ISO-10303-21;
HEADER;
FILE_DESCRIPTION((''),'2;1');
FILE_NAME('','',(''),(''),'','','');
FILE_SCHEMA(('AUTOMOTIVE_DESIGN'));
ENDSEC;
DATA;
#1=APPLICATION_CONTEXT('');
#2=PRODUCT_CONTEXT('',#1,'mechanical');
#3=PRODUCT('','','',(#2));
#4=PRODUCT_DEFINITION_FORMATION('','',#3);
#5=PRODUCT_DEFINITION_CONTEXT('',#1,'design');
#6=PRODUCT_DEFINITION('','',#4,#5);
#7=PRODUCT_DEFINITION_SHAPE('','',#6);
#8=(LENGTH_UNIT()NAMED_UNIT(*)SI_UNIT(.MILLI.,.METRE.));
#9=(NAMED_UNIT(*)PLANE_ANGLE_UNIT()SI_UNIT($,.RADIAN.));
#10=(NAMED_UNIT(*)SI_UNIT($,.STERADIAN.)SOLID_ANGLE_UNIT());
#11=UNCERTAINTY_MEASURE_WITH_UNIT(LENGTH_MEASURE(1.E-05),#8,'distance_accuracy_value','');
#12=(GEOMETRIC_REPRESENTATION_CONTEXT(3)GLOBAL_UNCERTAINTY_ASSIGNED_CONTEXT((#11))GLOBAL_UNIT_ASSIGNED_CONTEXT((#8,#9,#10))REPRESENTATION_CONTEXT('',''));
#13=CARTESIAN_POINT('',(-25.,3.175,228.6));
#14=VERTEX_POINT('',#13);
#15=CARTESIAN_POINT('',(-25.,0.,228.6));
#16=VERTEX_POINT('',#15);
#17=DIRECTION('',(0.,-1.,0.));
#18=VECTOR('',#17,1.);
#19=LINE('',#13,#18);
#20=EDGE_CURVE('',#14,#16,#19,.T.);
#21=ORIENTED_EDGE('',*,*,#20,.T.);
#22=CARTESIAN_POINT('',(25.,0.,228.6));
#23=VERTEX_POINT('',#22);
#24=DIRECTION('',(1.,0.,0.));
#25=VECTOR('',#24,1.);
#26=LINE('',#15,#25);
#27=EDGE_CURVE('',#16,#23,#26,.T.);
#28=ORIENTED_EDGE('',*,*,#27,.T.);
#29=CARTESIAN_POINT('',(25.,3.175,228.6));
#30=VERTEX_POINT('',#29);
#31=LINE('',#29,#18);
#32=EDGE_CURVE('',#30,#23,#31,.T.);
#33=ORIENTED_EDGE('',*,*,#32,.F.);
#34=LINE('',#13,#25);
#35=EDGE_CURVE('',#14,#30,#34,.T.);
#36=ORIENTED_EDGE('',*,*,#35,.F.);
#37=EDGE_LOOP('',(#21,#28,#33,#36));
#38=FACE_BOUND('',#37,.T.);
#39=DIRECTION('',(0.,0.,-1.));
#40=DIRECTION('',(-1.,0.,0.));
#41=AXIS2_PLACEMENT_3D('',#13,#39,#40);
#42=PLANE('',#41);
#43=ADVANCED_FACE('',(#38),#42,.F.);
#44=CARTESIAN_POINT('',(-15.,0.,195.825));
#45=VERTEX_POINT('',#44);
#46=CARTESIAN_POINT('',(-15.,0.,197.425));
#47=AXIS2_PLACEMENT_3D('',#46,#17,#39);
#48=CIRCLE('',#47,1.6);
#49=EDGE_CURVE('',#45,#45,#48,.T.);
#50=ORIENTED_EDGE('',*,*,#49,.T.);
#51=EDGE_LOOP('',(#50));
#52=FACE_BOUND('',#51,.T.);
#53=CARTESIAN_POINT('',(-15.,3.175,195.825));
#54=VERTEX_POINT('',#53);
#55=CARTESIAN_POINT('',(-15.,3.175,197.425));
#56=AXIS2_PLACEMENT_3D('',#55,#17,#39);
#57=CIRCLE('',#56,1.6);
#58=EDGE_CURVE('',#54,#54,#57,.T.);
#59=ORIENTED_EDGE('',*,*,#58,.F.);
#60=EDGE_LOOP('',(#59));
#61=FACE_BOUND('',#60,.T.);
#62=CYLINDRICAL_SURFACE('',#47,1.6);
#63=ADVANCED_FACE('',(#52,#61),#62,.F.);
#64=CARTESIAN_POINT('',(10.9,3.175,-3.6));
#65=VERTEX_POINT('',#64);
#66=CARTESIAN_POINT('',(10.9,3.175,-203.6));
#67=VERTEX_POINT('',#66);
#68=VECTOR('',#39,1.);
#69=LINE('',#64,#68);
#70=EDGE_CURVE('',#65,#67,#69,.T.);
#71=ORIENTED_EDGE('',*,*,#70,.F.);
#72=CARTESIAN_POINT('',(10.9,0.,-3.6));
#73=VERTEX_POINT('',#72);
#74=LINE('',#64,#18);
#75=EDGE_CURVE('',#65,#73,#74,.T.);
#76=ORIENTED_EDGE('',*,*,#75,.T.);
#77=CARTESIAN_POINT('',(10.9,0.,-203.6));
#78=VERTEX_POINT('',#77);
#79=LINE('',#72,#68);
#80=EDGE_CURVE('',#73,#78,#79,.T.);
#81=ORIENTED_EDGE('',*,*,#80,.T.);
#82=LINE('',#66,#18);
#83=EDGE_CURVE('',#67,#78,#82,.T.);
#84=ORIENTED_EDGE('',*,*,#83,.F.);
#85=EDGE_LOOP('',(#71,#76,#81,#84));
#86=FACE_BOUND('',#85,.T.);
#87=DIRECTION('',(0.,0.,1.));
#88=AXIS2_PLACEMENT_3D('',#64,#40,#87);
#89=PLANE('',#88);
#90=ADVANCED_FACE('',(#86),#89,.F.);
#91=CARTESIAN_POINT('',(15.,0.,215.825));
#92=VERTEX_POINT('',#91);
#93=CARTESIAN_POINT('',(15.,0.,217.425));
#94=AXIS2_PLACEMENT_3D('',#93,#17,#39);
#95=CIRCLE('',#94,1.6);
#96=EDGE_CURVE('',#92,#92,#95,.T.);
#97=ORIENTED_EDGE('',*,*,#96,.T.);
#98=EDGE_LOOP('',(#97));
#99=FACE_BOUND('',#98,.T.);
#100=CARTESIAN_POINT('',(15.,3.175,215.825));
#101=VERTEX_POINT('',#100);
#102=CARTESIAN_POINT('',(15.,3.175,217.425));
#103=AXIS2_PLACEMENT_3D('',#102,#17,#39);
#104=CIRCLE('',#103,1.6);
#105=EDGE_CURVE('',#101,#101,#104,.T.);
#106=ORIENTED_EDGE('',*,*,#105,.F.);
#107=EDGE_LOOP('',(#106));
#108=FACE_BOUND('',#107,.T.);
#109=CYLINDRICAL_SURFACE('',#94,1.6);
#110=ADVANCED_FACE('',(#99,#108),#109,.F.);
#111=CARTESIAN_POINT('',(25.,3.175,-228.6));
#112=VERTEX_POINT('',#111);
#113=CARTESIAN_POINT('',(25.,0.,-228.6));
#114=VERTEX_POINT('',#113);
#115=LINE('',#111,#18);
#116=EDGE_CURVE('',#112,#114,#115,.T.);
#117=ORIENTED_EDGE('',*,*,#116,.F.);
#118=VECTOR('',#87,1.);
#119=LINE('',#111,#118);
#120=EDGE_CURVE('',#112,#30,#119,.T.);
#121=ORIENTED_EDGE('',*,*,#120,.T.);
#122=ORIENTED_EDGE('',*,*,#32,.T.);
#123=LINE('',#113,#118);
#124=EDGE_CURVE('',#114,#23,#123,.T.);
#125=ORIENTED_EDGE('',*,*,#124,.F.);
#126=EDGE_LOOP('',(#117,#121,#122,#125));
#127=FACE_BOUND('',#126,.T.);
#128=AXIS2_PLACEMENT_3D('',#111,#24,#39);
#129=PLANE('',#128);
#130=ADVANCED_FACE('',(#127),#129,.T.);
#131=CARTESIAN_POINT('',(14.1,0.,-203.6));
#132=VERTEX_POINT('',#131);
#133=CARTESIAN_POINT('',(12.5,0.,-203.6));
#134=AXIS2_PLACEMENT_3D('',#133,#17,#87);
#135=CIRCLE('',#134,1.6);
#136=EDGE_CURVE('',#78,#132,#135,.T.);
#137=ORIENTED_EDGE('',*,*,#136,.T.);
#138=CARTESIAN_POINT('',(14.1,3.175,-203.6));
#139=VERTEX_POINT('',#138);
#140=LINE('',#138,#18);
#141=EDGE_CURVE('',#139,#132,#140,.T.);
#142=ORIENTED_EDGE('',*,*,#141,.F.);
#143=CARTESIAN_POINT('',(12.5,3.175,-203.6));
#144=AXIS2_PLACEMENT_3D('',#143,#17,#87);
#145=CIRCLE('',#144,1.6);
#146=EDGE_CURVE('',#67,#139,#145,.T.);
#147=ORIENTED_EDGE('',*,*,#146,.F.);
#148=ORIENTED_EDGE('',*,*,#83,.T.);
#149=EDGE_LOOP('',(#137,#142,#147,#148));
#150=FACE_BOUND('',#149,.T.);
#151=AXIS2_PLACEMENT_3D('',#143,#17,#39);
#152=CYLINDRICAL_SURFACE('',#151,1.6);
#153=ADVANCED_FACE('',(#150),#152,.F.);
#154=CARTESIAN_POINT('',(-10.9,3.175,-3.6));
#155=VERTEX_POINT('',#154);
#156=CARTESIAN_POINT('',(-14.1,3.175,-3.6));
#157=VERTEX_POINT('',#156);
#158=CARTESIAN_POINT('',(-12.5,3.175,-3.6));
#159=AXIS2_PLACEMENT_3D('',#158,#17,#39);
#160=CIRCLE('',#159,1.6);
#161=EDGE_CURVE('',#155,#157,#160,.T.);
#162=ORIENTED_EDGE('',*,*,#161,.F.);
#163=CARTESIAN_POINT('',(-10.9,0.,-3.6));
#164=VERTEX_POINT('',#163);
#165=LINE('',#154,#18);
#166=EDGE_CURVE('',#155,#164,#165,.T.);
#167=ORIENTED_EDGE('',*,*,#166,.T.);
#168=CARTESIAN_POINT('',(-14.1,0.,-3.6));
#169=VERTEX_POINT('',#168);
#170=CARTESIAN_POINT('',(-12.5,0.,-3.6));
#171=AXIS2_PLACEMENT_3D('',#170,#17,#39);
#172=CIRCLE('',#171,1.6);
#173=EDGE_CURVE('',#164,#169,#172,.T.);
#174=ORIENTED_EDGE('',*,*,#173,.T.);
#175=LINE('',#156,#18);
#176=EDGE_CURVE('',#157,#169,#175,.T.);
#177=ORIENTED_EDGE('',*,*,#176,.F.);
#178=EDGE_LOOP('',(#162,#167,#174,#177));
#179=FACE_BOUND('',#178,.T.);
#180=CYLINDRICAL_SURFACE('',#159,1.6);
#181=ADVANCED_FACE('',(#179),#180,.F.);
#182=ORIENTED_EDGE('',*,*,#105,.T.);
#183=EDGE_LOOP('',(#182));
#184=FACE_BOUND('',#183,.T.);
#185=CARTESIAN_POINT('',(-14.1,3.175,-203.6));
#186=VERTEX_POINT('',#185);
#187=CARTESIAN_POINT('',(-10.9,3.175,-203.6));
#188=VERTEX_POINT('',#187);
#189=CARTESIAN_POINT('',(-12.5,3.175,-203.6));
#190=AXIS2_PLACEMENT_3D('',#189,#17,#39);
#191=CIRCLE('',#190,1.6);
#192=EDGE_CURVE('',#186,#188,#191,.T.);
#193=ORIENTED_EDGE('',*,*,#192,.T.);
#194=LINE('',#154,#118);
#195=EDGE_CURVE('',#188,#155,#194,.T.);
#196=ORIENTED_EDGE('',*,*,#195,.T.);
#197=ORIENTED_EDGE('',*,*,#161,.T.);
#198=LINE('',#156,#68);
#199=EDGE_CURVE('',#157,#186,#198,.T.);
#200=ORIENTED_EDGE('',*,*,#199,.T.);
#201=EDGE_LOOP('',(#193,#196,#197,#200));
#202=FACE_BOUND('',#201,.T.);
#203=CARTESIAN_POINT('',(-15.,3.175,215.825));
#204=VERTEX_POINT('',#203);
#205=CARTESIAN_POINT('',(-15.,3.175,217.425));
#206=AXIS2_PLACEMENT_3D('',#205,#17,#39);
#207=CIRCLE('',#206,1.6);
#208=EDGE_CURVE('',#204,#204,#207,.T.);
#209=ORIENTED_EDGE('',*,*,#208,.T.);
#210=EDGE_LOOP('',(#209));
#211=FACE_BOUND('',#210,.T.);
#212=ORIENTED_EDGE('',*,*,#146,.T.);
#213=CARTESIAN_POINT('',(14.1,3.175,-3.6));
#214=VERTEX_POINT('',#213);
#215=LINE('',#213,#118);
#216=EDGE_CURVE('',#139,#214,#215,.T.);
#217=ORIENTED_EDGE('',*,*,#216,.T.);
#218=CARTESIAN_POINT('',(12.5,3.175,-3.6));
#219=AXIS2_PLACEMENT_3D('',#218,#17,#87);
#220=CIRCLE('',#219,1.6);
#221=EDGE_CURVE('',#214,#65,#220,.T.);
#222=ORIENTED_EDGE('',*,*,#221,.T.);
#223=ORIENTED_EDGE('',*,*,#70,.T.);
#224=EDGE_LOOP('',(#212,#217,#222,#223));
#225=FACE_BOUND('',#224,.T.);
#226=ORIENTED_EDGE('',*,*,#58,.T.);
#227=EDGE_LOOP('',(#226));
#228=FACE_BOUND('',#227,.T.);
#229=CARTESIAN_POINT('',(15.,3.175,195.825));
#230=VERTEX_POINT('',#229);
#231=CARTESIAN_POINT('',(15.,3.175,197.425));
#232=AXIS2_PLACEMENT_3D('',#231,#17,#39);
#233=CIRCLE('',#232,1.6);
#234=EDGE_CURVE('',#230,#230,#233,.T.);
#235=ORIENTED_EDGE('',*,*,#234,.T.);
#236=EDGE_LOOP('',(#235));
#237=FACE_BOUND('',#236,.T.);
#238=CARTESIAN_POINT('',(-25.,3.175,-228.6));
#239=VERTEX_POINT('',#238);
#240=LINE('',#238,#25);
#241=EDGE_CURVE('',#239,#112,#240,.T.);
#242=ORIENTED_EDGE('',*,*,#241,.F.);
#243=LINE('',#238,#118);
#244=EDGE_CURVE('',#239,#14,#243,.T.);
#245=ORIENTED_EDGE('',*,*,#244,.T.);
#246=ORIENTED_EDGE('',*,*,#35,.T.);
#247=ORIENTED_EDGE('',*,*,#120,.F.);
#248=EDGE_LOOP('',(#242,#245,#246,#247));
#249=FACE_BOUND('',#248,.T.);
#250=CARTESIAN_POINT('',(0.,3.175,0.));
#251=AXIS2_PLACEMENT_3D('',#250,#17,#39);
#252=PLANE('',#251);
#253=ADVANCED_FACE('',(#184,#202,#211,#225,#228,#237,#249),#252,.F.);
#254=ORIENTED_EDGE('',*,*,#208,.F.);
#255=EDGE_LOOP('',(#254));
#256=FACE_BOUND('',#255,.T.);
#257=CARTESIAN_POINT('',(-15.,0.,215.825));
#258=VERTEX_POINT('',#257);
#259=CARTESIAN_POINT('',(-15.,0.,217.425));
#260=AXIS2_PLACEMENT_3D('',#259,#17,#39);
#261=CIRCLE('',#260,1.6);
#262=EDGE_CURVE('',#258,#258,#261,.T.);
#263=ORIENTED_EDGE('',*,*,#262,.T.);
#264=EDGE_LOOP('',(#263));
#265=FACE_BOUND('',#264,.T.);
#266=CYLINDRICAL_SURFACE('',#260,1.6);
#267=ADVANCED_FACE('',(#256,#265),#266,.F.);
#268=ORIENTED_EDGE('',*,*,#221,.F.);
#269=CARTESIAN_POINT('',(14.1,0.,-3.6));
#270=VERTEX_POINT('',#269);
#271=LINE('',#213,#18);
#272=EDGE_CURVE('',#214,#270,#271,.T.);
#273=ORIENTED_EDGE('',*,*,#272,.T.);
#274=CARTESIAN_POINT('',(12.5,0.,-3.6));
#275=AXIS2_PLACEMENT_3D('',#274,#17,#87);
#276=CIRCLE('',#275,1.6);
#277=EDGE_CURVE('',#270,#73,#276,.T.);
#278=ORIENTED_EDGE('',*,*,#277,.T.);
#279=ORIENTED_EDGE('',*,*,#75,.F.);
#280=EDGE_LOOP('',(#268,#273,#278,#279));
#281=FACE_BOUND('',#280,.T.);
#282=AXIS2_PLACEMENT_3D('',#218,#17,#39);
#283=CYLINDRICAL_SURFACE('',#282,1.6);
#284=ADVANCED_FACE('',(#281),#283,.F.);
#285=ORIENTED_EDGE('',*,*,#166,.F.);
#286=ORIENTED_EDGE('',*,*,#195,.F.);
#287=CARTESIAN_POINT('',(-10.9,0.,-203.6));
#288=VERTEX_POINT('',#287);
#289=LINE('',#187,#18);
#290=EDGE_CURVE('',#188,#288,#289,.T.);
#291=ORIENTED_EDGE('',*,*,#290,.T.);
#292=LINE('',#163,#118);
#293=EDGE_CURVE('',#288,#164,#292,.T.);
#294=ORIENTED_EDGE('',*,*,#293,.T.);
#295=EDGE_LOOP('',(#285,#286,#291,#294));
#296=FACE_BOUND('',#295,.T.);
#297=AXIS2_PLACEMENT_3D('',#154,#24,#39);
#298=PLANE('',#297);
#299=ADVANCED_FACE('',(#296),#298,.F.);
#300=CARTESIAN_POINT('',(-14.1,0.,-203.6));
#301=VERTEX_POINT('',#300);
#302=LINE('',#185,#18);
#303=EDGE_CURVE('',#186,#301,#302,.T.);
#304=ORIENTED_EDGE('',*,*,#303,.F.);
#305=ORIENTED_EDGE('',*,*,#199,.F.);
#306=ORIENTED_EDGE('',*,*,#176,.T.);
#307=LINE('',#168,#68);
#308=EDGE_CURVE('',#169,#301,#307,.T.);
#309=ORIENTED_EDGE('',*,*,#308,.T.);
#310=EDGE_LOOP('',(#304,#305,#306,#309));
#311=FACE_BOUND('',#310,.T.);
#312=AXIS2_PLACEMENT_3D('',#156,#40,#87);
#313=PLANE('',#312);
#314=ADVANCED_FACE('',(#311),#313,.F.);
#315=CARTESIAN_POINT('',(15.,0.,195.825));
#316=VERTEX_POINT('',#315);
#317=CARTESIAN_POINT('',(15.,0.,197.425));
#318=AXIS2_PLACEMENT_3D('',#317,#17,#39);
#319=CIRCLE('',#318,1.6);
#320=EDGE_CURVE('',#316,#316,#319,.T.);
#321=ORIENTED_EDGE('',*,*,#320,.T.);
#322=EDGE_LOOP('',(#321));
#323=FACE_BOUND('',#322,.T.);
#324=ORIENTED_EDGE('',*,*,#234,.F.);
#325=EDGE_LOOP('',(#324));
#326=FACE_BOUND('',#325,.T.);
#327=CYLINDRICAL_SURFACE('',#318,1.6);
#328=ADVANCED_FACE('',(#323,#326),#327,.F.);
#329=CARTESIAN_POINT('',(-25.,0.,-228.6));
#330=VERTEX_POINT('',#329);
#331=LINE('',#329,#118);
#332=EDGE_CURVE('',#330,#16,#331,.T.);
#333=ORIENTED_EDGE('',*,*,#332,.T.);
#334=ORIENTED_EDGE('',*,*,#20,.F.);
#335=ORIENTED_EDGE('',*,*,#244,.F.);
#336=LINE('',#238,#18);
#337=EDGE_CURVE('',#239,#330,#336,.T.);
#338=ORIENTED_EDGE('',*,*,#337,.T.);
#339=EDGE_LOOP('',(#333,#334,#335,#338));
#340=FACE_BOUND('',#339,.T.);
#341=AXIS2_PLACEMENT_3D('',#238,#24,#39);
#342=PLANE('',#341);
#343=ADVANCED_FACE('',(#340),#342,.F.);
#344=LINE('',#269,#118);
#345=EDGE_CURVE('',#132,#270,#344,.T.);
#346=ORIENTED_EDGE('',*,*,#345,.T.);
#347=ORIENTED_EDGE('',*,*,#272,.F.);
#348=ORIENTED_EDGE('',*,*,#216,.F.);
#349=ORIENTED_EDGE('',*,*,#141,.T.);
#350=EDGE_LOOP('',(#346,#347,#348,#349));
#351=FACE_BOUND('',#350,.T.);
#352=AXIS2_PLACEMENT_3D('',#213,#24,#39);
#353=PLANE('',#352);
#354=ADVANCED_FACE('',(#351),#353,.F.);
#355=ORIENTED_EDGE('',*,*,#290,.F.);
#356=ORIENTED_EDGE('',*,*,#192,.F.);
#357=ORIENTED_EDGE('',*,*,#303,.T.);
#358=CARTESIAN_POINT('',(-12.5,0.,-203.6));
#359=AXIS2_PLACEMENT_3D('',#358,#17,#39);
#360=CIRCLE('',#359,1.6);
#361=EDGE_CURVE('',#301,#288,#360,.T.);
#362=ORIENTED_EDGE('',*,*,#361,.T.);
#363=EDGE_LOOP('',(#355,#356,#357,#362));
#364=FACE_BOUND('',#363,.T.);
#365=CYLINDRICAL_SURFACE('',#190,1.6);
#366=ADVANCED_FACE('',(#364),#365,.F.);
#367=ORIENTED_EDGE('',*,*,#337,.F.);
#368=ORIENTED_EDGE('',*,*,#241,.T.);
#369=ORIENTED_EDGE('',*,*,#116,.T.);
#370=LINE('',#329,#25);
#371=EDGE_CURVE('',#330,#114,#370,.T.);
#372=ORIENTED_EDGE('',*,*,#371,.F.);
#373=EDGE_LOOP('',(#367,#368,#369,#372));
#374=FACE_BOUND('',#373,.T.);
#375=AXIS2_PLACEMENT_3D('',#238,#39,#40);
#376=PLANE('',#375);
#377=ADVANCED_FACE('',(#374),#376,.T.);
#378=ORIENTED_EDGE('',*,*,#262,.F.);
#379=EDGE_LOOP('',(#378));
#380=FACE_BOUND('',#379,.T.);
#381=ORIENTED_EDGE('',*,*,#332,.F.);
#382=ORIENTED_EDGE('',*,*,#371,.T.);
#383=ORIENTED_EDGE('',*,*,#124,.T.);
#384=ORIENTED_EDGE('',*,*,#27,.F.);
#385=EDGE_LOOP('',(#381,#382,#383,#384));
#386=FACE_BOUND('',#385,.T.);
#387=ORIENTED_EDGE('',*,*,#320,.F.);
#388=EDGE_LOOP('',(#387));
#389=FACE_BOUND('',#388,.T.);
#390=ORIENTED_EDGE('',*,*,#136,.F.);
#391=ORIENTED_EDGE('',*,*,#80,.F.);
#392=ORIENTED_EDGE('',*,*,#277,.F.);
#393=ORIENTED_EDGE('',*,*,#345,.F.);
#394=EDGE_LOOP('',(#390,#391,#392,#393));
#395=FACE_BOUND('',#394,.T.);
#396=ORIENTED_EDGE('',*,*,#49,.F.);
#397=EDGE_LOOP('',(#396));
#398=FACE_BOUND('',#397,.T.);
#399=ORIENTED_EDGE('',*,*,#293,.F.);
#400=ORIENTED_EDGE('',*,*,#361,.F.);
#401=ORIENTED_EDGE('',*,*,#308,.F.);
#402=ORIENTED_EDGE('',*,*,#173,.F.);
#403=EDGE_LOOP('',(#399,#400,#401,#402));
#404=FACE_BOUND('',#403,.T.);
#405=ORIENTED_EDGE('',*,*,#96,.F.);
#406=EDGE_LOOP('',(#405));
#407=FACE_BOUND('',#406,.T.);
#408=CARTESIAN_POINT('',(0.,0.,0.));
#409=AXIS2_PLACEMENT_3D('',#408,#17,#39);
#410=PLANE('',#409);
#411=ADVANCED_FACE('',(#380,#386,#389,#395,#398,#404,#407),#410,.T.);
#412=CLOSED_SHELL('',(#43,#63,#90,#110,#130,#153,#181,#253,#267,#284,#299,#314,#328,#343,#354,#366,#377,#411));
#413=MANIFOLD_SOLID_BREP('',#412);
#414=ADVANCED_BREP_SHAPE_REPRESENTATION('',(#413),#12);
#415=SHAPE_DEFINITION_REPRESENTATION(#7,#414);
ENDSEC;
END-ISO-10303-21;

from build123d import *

# Parameters (mm, degrees)
SKETCH1_W            = 50
SKETCH1_H            = 457.2
BOSS_EXTRUDE1_DEPTH  = 3.175
CUT_EXTRUDE1_DEPTH   = 230.984870426
M3_CLEARANCE_HOLE1_D = 3.2


with BuildPart() as part:
    # Sketch1 → Boss-Extrude1 (new body)
    with BuildSketch(Plane(origin=(0, 0, 0), x_dir=(1, 0, 0), z_dir=(0, 1, 0))):
        Rectangle(SKETCH1_W, SKETCH1_H)
    extrude(amount=BOSS_EXTRUDE1_DEPTH)

    # Sketch2 → Cut-Extrude1 (cut, through all)
    with BuildSketch(Plane.XZ):
        with BuildLine():
            Line((-10.9, -3.6), (-10.9, -203.6))
            ThreePointArc((-10.9, -203.6), (-12.5, -205.2), (-14.1, -203.6))
            Line((-14.1, -203.6), (-14.1, -3.6))
            ThreePointArc((-14.1, -3.6), (-12.5, -2), (-10.9, -3.6))
        make_face()
        with BuildLine():
            Line((10.9, -3.6), (10.9, -203.6))
            ThreePointArc((10.9, -203.6), (12.5, -205.2), (14.1, -203.6))
            Line((14.1, -203.6), (14.1, -3.6))
            ThreePointArc((14.1, -3.6), (12.5, -2), (10.9, -3.6))
        make_face()
    extrude(amount=-CUT_EXTRUDE1_DEPTH, mode=Mode.SUBTRACT)

    # M3 Clearance Hole1 (through all)
    with Locations(Plane(origin=(0, 0, 0), x_dir=(-1, 0, 0), z_dir=(0, -1, 0))):
        with Locations((15, -217.425), (-15, -197.425), (-15, -217.425), (15, -197.425)):
            Hole(M3_CLEARANCE_HOLE1_D / 2)


solid = part.part
